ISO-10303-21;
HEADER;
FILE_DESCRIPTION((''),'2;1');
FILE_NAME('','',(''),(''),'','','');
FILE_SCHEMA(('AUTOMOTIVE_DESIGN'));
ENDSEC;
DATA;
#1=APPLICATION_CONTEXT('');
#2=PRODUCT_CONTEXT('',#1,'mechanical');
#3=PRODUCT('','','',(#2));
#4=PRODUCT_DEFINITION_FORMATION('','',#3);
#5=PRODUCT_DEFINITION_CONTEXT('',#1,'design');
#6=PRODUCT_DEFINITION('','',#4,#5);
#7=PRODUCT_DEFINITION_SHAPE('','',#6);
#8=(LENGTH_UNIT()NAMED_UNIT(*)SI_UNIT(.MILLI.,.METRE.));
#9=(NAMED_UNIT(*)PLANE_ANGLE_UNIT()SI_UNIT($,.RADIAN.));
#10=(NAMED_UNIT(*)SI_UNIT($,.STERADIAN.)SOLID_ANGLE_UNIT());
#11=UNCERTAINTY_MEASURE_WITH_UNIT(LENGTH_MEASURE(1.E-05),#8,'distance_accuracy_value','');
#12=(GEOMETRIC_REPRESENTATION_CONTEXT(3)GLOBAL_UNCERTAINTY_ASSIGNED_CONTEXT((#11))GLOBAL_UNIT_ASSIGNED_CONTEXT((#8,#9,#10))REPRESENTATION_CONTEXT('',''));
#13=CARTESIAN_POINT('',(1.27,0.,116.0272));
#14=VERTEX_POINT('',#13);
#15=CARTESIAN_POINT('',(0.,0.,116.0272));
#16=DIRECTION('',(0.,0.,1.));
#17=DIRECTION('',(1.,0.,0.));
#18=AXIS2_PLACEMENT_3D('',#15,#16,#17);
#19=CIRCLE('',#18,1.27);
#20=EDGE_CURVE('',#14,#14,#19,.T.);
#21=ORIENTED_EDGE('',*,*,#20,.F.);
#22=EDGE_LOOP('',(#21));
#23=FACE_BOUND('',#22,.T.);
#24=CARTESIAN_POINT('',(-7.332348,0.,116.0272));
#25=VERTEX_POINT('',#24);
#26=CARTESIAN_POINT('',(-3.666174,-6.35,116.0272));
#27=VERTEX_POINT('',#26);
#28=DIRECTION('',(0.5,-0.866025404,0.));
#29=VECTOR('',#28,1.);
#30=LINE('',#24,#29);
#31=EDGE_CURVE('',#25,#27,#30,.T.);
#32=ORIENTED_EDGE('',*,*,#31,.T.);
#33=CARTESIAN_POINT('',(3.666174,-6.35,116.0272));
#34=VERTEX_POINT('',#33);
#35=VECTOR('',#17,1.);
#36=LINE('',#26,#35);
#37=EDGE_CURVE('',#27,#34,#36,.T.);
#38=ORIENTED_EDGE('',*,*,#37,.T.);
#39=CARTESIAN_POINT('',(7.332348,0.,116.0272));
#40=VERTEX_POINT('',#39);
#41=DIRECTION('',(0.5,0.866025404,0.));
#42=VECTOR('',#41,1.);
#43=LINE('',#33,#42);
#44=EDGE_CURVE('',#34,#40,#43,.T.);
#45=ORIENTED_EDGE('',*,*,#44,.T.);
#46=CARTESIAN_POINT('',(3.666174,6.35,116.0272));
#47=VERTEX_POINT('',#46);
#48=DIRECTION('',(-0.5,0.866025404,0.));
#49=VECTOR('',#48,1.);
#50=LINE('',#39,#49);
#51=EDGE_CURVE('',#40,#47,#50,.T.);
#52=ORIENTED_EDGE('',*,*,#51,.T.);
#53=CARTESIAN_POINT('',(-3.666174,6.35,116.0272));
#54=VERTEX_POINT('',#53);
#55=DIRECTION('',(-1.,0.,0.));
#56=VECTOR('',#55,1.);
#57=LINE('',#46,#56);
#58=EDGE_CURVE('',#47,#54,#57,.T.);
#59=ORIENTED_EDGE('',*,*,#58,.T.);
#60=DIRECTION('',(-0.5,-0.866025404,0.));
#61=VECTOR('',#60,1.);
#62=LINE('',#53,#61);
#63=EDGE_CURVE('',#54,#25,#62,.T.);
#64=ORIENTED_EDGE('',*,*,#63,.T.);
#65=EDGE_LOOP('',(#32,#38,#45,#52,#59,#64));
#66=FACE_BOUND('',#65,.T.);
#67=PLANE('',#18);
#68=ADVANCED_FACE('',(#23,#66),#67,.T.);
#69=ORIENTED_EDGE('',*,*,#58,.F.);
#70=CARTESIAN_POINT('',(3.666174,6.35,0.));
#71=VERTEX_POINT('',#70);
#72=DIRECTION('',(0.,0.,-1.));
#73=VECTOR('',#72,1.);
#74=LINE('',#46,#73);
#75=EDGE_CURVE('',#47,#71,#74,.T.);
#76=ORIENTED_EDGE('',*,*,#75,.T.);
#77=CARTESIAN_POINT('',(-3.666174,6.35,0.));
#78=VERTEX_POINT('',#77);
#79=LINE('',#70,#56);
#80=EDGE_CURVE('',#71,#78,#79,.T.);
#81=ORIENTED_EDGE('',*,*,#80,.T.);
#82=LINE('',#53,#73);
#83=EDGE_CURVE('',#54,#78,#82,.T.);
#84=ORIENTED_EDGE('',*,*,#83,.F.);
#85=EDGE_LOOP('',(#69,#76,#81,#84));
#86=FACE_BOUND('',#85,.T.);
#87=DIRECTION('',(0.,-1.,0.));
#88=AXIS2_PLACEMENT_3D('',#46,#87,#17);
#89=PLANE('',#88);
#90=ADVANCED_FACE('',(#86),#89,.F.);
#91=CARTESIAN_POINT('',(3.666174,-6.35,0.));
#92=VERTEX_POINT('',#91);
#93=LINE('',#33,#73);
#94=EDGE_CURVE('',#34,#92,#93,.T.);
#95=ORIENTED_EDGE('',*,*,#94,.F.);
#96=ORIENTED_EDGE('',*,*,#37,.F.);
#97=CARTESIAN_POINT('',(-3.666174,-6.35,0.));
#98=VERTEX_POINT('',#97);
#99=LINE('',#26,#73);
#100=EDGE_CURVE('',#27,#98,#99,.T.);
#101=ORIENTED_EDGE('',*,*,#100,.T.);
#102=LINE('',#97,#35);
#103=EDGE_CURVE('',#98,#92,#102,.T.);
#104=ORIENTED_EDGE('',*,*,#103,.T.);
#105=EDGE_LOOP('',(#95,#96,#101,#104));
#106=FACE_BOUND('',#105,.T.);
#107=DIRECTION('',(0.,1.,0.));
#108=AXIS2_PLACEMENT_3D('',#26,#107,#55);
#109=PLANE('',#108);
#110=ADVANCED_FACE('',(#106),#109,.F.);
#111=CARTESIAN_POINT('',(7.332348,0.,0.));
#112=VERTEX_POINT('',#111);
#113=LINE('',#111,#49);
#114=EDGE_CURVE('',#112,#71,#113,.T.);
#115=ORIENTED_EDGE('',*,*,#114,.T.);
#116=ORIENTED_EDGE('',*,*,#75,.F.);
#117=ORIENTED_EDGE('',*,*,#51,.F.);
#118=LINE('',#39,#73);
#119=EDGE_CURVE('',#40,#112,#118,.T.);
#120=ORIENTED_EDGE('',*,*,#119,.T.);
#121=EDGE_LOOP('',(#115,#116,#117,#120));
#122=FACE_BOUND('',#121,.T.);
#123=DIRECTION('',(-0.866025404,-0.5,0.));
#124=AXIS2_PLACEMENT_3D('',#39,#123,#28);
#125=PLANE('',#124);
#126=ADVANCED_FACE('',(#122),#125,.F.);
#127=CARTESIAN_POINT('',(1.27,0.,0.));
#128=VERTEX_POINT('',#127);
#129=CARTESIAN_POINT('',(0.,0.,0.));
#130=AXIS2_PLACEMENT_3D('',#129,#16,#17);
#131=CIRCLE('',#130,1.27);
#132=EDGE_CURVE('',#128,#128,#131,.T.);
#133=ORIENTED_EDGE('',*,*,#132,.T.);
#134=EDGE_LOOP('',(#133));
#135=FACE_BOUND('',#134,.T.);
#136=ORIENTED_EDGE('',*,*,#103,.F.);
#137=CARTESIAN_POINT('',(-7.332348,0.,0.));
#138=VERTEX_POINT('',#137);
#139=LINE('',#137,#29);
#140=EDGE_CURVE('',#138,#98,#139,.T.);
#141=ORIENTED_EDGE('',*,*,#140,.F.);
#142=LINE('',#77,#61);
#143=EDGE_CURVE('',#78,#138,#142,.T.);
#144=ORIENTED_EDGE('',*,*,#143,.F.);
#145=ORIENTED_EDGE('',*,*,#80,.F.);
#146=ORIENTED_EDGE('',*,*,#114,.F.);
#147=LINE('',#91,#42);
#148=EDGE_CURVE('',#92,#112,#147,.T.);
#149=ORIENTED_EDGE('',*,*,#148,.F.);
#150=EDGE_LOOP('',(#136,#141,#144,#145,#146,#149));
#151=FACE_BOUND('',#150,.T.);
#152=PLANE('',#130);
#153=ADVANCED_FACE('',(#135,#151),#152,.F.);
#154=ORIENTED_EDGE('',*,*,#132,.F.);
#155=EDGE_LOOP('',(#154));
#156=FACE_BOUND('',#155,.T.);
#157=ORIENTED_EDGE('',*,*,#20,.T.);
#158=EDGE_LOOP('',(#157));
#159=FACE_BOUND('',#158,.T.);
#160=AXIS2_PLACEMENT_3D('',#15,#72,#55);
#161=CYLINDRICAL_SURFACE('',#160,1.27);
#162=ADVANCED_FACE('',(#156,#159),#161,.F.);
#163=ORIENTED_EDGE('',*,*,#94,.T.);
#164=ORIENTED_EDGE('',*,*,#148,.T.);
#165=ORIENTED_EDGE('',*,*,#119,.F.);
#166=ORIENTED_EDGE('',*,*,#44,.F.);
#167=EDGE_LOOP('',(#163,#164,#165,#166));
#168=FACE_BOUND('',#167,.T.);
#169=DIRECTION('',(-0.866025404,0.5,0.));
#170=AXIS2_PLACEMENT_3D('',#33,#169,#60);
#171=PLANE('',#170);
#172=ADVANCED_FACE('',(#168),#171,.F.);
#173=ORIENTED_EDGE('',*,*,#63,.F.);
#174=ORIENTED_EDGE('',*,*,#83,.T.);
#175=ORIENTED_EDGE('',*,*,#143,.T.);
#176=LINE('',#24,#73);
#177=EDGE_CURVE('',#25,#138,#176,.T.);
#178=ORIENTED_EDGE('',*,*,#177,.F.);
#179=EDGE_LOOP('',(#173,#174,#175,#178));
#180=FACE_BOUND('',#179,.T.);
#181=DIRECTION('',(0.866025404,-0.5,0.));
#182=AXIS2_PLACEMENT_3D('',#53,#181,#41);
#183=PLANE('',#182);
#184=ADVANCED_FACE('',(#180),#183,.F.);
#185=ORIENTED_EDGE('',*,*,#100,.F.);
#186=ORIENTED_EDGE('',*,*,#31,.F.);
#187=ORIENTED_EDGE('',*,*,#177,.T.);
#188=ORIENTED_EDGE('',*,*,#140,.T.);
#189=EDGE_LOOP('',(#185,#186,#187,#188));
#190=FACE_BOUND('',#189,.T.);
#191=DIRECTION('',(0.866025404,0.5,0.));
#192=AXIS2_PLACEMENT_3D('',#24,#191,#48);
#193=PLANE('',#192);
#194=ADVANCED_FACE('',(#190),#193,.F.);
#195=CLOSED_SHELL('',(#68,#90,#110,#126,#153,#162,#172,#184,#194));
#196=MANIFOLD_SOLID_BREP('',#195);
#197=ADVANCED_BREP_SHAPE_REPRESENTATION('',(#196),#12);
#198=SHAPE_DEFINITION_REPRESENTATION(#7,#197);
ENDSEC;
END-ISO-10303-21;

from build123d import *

# Parameters (mm, degrees)
SKETCH1_R           = 1.27
BOSS_EXTRUDE1_DEPTH = 116.0272


with BuildPart() as part:
    # Sketch1 → Boss-Extrude1 (new body)
    with BuildSketch(Plane.XY):
        Polygon((7.332348419, 0), (3.666174209, 6.35), (-3.666174209, 6.35), (-7.332348419, 0), (-3.666174209, -6.35), (3.666174209, -6.35), align=None)
        Circle(SKETCH1_R, mode=Mode.SUBTRACT)
    extrude(amount=BOSS_EXTRUDE1_DEPTH)


solid = part.part
